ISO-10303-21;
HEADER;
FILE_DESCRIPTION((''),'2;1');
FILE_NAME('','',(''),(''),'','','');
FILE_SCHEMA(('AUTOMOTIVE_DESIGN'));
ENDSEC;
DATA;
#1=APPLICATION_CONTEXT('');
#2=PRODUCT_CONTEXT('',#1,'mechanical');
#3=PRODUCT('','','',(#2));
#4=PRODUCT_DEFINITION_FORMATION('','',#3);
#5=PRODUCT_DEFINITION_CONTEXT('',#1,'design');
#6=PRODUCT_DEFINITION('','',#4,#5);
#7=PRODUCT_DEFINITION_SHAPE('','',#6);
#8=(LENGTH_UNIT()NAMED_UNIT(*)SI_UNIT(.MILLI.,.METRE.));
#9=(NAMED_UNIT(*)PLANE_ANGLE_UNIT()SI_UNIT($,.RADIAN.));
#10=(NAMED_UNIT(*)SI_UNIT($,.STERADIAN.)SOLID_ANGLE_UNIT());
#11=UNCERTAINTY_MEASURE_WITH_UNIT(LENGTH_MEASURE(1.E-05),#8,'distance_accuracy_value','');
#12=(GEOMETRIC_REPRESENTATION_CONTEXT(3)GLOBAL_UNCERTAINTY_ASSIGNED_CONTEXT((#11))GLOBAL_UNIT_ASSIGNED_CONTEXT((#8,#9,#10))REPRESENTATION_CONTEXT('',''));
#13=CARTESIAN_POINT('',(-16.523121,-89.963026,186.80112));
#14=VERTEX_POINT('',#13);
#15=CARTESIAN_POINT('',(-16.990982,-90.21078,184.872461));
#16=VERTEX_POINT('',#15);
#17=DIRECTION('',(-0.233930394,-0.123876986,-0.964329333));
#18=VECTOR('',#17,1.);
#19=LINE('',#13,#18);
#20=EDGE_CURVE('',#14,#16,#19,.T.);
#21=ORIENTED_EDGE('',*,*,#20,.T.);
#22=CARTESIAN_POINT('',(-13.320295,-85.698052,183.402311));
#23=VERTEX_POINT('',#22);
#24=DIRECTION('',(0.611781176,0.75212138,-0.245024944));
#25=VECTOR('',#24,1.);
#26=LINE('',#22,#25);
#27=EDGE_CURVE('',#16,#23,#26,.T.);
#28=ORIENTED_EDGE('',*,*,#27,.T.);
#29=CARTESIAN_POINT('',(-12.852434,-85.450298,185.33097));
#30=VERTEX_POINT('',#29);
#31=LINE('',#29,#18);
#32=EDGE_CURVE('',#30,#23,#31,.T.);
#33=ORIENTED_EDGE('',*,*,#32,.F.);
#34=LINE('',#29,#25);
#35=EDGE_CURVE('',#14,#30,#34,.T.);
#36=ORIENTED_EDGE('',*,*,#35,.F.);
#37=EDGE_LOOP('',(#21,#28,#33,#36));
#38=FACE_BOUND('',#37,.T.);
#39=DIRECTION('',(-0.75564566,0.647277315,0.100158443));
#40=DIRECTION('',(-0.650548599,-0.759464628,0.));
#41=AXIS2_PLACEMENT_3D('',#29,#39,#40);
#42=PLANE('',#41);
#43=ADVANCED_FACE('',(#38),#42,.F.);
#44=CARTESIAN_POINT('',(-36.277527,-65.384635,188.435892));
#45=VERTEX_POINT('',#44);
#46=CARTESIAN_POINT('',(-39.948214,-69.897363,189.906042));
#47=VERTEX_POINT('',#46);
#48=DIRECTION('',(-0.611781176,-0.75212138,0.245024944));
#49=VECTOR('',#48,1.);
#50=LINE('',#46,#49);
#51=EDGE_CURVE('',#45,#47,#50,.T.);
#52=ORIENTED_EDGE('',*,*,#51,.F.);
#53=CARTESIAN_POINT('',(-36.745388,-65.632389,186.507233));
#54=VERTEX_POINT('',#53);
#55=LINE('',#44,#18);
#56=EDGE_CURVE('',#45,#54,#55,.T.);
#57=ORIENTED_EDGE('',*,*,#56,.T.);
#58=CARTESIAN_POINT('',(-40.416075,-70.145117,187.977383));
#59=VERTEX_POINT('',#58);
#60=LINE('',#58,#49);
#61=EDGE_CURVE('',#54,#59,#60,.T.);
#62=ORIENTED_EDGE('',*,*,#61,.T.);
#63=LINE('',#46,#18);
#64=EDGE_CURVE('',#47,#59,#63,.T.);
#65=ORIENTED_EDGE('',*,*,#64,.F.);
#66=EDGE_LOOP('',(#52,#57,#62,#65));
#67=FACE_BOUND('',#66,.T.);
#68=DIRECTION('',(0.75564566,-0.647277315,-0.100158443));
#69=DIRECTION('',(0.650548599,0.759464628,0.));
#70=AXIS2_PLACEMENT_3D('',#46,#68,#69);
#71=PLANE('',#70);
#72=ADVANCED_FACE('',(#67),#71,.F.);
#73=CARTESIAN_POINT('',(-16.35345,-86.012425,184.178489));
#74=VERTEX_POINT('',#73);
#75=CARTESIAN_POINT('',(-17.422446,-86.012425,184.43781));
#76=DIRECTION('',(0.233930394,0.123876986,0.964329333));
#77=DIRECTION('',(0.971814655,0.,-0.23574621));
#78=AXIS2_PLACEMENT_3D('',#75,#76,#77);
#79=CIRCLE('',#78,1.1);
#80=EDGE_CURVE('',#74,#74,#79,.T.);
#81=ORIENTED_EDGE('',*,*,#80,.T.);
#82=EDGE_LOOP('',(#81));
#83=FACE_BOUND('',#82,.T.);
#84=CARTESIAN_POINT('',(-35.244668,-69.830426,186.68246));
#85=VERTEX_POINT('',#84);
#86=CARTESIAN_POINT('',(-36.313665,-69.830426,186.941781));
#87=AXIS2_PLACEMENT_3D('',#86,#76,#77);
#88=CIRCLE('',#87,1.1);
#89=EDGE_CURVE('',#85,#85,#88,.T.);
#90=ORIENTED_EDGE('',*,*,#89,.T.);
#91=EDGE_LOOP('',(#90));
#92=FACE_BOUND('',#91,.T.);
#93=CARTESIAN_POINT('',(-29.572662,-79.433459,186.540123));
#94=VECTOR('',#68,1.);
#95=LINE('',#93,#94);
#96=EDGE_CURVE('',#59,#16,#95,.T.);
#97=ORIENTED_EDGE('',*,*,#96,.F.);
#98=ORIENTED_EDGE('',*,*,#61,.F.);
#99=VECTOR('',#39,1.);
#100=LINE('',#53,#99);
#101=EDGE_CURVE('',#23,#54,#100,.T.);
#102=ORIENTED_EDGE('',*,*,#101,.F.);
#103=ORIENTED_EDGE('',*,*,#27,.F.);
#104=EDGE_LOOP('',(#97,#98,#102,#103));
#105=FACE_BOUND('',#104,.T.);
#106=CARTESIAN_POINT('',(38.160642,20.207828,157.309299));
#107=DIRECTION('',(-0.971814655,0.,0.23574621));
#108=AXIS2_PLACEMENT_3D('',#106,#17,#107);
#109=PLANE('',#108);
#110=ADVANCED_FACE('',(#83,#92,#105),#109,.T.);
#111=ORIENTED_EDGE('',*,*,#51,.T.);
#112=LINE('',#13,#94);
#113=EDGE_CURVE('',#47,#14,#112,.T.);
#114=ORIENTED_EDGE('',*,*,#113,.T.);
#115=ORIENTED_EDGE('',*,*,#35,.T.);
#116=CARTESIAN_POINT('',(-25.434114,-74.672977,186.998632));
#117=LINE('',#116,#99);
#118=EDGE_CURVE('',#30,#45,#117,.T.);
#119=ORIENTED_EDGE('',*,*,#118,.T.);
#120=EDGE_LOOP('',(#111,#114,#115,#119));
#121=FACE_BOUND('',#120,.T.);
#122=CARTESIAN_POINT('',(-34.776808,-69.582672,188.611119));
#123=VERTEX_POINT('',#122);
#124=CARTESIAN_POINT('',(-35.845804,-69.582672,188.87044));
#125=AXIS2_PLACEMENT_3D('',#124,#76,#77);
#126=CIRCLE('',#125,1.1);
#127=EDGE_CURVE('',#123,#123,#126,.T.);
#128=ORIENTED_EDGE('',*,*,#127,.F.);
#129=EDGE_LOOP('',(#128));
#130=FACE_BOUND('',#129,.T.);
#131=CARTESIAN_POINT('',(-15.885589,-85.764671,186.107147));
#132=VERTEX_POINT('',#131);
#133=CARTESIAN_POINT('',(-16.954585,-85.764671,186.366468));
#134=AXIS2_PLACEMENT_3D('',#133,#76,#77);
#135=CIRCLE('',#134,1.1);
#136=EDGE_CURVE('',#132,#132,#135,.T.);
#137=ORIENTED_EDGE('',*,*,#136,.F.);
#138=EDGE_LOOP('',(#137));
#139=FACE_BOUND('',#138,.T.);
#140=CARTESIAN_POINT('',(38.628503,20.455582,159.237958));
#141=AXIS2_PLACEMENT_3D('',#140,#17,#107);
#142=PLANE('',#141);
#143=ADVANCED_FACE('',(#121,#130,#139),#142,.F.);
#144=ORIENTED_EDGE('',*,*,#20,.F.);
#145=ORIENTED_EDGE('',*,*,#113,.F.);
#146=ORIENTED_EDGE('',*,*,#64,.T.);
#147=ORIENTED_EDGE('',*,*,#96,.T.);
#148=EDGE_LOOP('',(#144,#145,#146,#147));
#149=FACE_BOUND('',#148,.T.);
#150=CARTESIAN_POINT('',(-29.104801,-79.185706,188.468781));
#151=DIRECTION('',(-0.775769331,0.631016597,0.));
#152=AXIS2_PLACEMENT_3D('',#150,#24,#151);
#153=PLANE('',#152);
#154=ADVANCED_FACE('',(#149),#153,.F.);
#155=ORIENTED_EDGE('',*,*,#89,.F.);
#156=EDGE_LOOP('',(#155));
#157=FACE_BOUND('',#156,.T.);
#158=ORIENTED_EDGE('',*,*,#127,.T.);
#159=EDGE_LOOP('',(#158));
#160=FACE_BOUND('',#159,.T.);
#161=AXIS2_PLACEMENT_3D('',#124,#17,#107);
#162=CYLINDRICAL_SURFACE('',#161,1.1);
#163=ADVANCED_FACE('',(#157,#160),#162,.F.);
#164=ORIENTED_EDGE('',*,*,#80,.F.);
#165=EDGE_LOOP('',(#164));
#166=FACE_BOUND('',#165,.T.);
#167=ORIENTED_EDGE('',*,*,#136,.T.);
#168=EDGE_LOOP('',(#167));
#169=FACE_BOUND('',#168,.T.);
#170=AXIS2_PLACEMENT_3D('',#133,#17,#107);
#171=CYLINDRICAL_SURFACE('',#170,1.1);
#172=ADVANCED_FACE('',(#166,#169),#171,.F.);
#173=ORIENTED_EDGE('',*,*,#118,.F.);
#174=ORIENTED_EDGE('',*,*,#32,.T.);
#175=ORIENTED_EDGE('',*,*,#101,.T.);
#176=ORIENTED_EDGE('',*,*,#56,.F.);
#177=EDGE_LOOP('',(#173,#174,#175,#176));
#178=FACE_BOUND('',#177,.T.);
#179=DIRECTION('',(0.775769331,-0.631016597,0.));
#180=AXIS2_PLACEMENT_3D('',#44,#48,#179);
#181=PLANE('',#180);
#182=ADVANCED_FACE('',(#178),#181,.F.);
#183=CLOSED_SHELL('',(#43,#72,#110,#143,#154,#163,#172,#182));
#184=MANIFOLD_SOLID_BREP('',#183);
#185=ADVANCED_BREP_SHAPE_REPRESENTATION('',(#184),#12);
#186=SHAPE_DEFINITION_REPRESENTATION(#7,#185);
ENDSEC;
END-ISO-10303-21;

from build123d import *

# Parameters (mm, degrees)
SZKIC3_R                    = 1.10000034
DODANIE_WYCI_GNI_CIE2_DEPTH = 2


with BuildPart() as part:
    # Szkic3 → Dodanie-wyciągnięcie2 (new body)
    with BuildSketch(Plane(origin=(38.160641903, 20.207828477, 157.30929901), x_dir=(0.972253346903095, -0.029805597670841302, -0.23202382589556209), z_dir=(0.23393039442477367, 0.12387698555880203, 0.964329333274237))):
        Polygon((-69.666310572, -102.553561212), (-79.264860968, -94.782442078), (-80.819178513, -93.5240451), (-77.043735552, -88.860781173), (-75.489418007, -90.119178151), (-65.890867611, -97.890297285), (-52.950125678, -108.367300905), (-56.725568639, -113.030564831), align=None)
        with Locations(Location((-57.169345947, -108.811046896, 0), (0, 0, 1.721249632))):
            Circle(SZKIC3_R, mode=Mode.SUBTRACT)
        with Locations(Location((-76.599691895, -93.079970126, 0), (0, 0, 1.721249632))):
            Circle(SZKIC3_R, mode=Mode.SUBTRACT)
    extrude(amount=DODANIE_WYCI_GNI_CIE2_DEPTH)


solid = part.part
